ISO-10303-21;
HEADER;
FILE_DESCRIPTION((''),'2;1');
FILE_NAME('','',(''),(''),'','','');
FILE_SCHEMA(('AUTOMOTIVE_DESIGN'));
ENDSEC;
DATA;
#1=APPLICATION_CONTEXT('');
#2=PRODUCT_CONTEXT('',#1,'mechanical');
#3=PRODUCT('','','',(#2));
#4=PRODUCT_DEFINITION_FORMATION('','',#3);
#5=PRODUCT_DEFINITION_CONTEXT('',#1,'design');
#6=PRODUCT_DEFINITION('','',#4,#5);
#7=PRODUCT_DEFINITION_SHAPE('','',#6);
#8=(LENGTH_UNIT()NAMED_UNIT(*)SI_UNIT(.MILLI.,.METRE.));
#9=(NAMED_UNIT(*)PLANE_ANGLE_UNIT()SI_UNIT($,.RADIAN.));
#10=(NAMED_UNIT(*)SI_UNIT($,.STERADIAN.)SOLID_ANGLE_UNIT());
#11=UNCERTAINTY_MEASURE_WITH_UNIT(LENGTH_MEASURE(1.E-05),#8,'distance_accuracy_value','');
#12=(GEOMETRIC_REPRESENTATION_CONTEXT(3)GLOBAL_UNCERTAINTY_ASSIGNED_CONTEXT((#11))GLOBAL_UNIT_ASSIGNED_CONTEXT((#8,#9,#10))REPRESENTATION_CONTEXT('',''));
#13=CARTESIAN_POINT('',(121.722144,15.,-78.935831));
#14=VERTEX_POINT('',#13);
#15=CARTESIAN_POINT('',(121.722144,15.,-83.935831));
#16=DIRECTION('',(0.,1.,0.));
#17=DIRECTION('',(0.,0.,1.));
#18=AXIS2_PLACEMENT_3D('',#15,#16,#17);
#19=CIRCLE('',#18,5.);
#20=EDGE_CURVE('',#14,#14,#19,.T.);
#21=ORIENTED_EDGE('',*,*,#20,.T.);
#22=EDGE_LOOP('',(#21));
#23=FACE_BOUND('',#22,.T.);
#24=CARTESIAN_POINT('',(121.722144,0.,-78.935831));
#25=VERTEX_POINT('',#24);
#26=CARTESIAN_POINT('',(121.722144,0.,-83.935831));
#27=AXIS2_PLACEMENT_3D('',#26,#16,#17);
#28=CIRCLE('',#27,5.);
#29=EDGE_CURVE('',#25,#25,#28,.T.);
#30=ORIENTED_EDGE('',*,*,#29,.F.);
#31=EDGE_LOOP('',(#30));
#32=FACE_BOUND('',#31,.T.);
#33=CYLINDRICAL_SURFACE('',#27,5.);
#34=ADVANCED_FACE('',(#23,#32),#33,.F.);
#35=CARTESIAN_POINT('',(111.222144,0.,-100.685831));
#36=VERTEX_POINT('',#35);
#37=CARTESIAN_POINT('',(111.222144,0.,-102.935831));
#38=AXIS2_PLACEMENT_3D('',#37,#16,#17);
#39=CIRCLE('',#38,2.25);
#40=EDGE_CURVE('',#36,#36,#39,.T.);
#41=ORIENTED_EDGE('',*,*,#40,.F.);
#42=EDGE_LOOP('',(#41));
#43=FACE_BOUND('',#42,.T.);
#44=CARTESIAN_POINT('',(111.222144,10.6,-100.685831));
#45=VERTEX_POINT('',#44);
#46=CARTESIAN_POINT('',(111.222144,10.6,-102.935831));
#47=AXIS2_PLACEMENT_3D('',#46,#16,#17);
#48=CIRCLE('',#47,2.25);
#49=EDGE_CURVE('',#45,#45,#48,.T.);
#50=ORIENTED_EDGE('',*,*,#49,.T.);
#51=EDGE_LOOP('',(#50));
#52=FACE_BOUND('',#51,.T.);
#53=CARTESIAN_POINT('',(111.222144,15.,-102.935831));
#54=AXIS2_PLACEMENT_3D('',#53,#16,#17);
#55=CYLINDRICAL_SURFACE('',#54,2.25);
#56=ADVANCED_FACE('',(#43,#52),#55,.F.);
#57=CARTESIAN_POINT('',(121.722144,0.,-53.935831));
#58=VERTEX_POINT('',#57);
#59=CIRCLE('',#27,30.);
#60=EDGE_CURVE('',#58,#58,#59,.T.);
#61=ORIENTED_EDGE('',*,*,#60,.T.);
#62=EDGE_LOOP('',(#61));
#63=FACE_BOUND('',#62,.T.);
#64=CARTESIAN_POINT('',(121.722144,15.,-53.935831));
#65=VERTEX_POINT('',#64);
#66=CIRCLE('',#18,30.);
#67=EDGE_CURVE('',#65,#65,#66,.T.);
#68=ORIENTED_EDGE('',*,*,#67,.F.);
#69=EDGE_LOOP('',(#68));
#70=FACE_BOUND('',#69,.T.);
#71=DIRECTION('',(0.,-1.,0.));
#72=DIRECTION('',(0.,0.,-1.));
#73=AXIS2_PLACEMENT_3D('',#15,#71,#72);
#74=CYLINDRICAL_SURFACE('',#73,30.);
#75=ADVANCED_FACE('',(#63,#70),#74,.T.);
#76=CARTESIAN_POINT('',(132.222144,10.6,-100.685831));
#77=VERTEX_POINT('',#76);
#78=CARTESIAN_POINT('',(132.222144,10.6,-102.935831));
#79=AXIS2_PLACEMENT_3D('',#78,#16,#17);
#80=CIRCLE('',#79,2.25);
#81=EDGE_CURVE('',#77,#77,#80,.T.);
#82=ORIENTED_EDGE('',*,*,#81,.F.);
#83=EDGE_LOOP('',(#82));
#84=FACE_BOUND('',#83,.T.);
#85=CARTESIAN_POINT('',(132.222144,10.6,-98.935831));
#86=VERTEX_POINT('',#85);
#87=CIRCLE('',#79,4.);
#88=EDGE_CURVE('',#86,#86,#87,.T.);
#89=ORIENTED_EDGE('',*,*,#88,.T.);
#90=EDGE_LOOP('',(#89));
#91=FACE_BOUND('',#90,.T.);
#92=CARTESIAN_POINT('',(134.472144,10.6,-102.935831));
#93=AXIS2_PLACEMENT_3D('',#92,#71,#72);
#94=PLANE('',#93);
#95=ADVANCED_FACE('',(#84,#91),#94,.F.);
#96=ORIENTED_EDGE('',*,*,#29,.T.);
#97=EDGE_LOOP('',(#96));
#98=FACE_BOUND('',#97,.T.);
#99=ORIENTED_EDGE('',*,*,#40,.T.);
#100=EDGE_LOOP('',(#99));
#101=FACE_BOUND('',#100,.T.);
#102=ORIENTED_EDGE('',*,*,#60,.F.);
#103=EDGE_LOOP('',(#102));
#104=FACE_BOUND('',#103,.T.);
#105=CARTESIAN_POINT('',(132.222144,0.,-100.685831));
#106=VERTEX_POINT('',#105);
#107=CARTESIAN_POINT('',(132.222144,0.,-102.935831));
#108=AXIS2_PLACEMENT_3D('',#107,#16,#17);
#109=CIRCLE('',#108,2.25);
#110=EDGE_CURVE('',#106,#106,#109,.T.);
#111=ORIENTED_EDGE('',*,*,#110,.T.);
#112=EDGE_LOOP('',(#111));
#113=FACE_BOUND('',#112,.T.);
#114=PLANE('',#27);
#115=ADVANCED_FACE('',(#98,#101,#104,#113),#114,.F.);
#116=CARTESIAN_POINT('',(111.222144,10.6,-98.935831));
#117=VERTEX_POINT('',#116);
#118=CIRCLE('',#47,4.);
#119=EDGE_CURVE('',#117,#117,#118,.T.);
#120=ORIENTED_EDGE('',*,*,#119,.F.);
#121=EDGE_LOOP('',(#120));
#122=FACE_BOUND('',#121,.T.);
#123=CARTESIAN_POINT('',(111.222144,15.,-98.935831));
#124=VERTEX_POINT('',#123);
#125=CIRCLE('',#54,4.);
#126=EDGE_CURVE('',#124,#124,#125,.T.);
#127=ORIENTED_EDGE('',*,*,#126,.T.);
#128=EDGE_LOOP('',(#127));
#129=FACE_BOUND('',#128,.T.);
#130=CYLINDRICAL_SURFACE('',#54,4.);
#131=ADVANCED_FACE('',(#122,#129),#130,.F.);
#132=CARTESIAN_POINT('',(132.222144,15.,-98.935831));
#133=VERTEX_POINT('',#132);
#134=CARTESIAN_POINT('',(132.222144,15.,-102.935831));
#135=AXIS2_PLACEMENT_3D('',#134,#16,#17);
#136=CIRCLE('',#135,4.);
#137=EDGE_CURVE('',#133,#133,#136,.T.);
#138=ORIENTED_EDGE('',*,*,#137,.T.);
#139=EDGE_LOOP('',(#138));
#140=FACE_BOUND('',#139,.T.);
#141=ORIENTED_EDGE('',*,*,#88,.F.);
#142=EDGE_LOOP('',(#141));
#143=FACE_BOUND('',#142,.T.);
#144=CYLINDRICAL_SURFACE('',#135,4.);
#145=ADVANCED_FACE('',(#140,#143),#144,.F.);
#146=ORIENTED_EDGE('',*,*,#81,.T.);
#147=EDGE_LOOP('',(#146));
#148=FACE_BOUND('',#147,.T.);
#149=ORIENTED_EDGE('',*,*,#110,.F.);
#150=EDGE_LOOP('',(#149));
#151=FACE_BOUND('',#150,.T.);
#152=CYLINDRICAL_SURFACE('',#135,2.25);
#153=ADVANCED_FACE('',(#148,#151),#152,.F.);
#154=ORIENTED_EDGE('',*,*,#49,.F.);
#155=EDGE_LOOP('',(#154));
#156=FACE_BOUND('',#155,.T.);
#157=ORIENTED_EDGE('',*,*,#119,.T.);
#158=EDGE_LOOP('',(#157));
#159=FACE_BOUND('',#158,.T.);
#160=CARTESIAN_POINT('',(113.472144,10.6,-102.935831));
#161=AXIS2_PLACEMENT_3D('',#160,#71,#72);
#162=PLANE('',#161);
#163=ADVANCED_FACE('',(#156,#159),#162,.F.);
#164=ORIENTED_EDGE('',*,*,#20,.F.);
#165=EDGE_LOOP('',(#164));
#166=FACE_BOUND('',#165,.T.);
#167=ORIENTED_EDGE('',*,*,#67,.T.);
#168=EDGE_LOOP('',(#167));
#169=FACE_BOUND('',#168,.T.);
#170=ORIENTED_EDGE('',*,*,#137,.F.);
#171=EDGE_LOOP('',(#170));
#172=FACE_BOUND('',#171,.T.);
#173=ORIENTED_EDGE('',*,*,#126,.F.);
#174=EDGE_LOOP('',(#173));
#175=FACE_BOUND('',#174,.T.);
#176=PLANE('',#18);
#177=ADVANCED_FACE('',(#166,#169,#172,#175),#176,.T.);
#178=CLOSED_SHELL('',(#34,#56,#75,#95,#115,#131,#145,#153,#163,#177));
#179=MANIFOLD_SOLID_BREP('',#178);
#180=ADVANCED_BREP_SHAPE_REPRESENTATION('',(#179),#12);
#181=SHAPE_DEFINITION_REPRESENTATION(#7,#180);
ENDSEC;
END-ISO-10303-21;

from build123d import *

# Parameters (mm, degrees)
SKETCH1_R                                           = 30
BOSS_EXTRUDE1_DEPTH                                 = 15
SKETCH10_R                                          = 5
CUT_EXTRUDE2_DEPTH                                  = 15
CBORE_FOR_M4_HEX_SOCKET_HEAD_CAP_SCREW3_D           = 4.5
CBORE_FOR_M4_HEX_SOCKET_HEAD_CAP_SCREW3_DEPTH       = 15
CBORE_FOR_M4_HEX_SOCKET_HEAD_CAP_SCREW3_CBORE_D     = 8
CBORE_FOR_M4_HEX_SOCKET_HEAD_CAP_SCREW3_CBORE_DEPTH = 4.4


with BuildPart() as part:
    # Sketch1 → Boss-Extrude1 (new body)
    with BuildSketch(Plane(origin=(0, 0, 0), x_dir=(1, 0, 0), z_dir=(0, 1, 0))):
        with Locations((121.722144349, 83.935831041)):
            Circle(SKETCH1_R)
    extrude(amount=BOSS_EXTRUDE1_DEPTH)

    # Sketch10 → Cut-Extrude2 (cut)
    with BuildSketch(Plane(origin=(0, 15, 0), x_dir=(1, 0, 0), z_dir=(0, 1, 0))):
        with Locations((121.722144349, 83.935831041)):
            Circle(SKETCH10_R)
    extrude(amount=-CUT_EXTRUDE2_DEPTH, mode=Mode.SUBTRACT)

    # CBORE for M4 Hex Socket Head Cap Screw3
    with Locations(Plane(origin=(132.222144349, 15, -102.935831041), x_dir=(0, 0, 1), z_dir=(0, 1, 0))):
        with Locations((0, 0), (0, -21)):
            CounterBoreHole(CBORE_FOR_M4_HEX_SOCKET_HEAD_CAP_SCREW3_D / 2, CBORE_FOR_M4_HEX_SOCKET_HEAD_CAP_SCREW3_CBORE_D / 2, CBORE_FOR_M4_HEX_SOCKET_HEAD_CAP_SCREW3_CBORE_DEPTH, depth=CBORE_FOR_M4_HEX_SOCKET_HEAD_CAP_SCREW3_DEPTH)


solid = part.part
